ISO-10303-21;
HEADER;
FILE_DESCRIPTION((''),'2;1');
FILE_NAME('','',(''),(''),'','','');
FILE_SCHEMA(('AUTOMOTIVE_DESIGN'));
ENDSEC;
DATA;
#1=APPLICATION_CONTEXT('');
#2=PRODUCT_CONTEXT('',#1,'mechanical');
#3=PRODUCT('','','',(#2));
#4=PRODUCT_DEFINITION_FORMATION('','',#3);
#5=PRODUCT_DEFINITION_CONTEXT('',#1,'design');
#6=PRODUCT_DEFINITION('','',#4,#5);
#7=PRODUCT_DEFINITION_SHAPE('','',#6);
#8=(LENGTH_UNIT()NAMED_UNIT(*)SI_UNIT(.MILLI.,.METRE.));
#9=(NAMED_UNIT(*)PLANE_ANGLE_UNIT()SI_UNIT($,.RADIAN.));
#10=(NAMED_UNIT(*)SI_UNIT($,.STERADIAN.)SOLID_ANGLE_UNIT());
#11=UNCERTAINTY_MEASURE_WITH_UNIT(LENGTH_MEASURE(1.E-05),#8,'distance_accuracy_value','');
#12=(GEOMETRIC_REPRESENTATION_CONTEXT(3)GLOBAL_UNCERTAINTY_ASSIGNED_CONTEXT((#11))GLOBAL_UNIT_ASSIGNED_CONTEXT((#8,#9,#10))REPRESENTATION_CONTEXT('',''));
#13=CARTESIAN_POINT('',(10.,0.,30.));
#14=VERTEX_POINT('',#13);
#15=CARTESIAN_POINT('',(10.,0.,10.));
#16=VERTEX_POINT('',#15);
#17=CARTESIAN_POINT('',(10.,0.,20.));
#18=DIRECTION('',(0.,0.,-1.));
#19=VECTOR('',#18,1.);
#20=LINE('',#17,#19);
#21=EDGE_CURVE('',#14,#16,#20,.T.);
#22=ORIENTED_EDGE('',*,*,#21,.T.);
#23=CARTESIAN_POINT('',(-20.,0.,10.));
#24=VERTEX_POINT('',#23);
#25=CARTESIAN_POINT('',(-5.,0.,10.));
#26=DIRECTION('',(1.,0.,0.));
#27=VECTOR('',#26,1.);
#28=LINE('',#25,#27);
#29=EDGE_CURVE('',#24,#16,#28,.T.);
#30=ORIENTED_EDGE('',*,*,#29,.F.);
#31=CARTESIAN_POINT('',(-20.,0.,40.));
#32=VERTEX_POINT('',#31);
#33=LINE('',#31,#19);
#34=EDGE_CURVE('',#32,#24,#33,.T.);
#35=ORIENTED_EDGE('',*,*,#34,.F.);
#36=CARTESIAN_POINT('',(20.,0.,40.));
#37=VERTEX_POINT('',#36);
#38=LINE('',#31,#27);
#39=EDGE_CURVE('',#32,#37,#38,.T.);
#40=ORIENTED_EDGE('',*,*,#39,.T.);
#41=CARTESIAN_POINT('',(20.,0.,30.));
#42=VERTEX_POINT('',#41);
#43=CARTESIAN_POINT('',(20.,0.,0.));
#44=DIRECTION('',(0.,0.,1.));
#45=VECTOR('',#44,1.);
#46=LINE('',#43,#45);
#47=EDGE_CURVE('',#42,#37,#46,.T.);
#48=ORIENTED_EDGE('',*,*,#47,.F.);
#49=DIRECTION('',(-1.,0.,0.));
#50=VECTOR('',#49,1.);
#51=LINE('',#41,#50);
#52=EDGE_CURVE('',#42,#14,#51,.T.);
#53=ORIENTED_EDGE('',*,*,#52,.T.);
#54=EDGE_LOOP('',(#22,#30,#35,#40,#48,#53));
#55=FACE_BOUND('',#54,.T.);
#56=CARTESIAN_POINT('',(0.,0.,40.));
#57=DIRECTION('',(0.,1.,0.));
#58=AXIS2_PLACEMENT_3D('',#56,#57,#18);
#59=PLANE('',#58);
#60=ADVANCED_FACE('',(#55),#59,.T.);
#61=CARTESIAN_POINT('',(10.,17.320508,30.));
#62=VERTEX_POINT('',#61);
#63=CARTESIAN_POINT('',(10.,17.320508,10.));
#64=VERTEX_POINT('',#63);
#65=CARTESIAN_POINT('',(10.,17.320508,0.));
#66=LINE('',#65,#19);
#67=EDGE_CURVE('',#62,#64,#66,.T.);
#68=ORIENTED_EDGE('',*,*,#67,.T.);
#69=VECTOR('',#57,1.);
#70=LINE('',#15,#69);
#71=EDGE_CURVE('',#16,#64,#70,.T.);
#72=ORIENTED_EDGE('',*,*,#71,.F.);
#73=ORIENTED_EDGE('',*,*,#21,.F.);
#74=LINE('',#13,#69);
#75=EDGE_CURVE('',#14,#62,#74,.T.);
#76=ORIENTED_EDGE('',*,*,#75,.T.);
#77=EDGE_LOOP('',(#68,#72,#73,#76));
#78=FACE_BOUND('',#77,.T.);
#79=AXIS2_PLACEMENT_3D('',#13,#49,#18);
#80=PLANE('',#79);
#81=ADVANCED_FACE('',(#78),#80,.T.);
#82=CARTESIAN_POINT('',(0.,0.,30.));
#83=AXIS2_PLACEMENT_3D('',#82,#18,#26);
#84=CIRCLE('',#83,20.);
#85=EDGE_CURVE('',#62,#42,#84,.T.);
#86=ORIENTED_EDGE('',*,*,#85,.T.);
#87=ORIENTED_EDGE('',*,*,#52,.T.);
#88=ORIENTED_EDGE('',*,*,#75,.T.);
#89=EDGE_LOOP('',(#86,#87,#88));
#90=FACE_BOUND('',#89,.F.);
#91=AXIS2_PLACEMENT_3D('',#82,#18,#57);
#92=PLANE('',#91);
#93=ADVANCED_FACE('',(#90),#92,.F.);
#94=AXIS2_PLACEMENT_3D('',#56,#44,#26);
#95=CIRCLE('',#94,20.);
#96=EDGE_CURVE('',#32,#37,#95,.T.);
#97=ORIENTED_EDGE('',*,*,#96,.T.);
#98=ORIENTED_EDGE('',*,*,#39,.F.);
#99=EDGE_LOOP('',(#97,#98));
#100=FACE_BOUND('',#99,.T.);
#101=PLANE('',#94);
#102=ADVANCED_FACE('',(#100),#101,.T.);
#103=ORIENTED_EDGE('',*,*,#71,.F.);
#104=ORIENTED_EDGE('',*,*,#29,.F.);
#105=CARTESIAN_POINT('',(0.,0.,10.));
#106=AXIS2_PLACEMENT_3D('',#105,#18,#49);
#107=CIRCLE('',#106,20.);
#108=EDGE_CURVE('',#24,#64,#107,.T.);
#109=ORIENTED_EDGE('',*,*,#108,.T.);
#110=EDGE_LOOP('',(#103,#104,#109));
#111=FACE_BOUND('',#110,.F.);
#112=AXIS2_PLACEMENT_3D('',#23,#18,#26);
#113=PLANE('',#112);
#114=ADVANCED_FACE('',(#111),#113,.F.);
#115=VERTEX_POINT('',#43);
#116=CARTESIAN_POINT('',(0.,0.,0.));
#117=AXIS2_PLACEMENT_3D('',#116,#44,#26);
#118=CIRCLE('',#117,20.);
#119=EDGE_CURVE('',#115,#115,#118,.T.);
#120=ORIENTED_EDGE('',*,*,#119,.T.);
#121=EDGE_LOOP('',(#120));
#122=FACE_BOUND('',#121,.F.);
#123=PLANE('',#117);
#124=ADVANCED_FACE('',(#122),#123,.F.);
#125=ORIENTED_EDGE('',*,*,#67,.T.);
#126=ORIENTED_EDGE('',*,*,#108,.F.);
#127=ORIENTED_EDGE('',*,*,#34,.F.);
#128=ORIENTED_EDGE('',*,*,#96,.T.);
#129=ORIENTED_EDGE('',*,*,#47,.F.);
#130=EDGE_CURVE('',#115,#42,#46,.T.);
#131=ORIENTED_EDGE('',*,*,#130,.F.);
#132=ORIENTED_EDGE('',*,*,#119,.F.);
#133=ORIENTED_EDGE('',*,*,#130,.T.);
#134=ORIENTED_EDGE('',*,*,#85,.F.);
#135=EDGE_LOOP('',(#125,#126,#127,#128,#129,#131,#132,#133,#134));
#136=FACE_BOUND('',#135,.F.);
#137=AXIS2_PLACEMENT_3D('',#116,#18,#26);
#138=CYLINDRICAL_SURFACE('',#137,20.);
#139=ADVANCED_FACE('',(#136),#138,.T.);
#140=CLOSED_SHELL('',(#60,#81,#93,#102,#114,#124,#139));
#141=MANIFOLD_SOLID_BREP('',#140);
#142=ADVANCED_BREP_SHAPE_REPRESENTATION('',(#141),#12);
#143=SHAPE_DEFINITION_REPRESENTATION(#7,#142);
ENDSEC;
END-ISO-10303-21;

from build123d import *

# Parameters (mm, degrees)
SKETCH1_R               = 20
BOSS_EXTRUDE1_DEPTH     = 40
CUT_EXTRUDE1_DEPTH      = 40
CUT_EXTRUDE1_DEPTH_BACK = 40
SKETCH2_W               = 30
SKETCH2_H               = 2
CUT_EXTRUDE2_DEPTH      = 40
CUT_EXTRUDE2_DEPTH_BACK = 40
SKETCH3_W               = 10
SKETCH3_H               = 20
SKETCH4_W               = 30
SKETCH4_H               = 20
CUT_EXTRUDE4_DEPTH      = 40


with BuildPart() as part:
    # Sketch1 → Boss-Extrude1 (new body)
    with BuildSketch(Plane.XY):
        Circle(SKETCH1_R)
    extrude(amount=BOSS_EXTRUDE1_DEPTH)

    # Sketch2 → Cut-Extrude1 (cut, two sides: drawn at the far end of the back side and taken through both)
    with BuildSketch(Plane(origin=(0, 0, 0), x_dir=(0, 0, -1), z_dir=(1, 0, 0)).offset(-CUT_EXTRUDE1_DEPTH_BACK)):
        with Locations((-25, 19)):
            Rectangle(SKETCH2_W, SKETCH2_H)
    extrude(amount=CUT_EXTRUDE1_DEPTH + CUT_EXTRUDE1_DEPTH_BACK, mode=Mode.SUBTRACT)

    # Sketch3 → Cut-Extrude2 (cut, two sides: drawn at the far end of the back side and taken through both)
    with BuildSketch(Plane(origin=(0, 0, 0), x_dir=(0, 0, -1), z_dir=(1, 0, 0)).offset(-CUT_EXTRUDE2_DEPTH_BACK)):
        with Locations((-35, 10)):
            Rectangle(SKETCH3_W, SKETCH3_H)
    extrude(amount=CUT_EXTRUDE2_DEPTH + CUT_EXTRUDE2_DEPTH_BACK, mode=Mode.SUBTRACT)

    # Sketch4 → Cut-Extrude4 (cut)
    with BuildSketch(Plane(origin=(0, 0, 0), x_dir=(1, 0, 0), z_dir=(0, 1, 0))):
        with Locations((-5, -20)):
            Rectangle(SKETCH4_W, SKETCH4_H)
    extrude(amount=CUT_EXTRUDE4_DEPTH, mode=Mode.SUBTRACT)


solid = part.part
